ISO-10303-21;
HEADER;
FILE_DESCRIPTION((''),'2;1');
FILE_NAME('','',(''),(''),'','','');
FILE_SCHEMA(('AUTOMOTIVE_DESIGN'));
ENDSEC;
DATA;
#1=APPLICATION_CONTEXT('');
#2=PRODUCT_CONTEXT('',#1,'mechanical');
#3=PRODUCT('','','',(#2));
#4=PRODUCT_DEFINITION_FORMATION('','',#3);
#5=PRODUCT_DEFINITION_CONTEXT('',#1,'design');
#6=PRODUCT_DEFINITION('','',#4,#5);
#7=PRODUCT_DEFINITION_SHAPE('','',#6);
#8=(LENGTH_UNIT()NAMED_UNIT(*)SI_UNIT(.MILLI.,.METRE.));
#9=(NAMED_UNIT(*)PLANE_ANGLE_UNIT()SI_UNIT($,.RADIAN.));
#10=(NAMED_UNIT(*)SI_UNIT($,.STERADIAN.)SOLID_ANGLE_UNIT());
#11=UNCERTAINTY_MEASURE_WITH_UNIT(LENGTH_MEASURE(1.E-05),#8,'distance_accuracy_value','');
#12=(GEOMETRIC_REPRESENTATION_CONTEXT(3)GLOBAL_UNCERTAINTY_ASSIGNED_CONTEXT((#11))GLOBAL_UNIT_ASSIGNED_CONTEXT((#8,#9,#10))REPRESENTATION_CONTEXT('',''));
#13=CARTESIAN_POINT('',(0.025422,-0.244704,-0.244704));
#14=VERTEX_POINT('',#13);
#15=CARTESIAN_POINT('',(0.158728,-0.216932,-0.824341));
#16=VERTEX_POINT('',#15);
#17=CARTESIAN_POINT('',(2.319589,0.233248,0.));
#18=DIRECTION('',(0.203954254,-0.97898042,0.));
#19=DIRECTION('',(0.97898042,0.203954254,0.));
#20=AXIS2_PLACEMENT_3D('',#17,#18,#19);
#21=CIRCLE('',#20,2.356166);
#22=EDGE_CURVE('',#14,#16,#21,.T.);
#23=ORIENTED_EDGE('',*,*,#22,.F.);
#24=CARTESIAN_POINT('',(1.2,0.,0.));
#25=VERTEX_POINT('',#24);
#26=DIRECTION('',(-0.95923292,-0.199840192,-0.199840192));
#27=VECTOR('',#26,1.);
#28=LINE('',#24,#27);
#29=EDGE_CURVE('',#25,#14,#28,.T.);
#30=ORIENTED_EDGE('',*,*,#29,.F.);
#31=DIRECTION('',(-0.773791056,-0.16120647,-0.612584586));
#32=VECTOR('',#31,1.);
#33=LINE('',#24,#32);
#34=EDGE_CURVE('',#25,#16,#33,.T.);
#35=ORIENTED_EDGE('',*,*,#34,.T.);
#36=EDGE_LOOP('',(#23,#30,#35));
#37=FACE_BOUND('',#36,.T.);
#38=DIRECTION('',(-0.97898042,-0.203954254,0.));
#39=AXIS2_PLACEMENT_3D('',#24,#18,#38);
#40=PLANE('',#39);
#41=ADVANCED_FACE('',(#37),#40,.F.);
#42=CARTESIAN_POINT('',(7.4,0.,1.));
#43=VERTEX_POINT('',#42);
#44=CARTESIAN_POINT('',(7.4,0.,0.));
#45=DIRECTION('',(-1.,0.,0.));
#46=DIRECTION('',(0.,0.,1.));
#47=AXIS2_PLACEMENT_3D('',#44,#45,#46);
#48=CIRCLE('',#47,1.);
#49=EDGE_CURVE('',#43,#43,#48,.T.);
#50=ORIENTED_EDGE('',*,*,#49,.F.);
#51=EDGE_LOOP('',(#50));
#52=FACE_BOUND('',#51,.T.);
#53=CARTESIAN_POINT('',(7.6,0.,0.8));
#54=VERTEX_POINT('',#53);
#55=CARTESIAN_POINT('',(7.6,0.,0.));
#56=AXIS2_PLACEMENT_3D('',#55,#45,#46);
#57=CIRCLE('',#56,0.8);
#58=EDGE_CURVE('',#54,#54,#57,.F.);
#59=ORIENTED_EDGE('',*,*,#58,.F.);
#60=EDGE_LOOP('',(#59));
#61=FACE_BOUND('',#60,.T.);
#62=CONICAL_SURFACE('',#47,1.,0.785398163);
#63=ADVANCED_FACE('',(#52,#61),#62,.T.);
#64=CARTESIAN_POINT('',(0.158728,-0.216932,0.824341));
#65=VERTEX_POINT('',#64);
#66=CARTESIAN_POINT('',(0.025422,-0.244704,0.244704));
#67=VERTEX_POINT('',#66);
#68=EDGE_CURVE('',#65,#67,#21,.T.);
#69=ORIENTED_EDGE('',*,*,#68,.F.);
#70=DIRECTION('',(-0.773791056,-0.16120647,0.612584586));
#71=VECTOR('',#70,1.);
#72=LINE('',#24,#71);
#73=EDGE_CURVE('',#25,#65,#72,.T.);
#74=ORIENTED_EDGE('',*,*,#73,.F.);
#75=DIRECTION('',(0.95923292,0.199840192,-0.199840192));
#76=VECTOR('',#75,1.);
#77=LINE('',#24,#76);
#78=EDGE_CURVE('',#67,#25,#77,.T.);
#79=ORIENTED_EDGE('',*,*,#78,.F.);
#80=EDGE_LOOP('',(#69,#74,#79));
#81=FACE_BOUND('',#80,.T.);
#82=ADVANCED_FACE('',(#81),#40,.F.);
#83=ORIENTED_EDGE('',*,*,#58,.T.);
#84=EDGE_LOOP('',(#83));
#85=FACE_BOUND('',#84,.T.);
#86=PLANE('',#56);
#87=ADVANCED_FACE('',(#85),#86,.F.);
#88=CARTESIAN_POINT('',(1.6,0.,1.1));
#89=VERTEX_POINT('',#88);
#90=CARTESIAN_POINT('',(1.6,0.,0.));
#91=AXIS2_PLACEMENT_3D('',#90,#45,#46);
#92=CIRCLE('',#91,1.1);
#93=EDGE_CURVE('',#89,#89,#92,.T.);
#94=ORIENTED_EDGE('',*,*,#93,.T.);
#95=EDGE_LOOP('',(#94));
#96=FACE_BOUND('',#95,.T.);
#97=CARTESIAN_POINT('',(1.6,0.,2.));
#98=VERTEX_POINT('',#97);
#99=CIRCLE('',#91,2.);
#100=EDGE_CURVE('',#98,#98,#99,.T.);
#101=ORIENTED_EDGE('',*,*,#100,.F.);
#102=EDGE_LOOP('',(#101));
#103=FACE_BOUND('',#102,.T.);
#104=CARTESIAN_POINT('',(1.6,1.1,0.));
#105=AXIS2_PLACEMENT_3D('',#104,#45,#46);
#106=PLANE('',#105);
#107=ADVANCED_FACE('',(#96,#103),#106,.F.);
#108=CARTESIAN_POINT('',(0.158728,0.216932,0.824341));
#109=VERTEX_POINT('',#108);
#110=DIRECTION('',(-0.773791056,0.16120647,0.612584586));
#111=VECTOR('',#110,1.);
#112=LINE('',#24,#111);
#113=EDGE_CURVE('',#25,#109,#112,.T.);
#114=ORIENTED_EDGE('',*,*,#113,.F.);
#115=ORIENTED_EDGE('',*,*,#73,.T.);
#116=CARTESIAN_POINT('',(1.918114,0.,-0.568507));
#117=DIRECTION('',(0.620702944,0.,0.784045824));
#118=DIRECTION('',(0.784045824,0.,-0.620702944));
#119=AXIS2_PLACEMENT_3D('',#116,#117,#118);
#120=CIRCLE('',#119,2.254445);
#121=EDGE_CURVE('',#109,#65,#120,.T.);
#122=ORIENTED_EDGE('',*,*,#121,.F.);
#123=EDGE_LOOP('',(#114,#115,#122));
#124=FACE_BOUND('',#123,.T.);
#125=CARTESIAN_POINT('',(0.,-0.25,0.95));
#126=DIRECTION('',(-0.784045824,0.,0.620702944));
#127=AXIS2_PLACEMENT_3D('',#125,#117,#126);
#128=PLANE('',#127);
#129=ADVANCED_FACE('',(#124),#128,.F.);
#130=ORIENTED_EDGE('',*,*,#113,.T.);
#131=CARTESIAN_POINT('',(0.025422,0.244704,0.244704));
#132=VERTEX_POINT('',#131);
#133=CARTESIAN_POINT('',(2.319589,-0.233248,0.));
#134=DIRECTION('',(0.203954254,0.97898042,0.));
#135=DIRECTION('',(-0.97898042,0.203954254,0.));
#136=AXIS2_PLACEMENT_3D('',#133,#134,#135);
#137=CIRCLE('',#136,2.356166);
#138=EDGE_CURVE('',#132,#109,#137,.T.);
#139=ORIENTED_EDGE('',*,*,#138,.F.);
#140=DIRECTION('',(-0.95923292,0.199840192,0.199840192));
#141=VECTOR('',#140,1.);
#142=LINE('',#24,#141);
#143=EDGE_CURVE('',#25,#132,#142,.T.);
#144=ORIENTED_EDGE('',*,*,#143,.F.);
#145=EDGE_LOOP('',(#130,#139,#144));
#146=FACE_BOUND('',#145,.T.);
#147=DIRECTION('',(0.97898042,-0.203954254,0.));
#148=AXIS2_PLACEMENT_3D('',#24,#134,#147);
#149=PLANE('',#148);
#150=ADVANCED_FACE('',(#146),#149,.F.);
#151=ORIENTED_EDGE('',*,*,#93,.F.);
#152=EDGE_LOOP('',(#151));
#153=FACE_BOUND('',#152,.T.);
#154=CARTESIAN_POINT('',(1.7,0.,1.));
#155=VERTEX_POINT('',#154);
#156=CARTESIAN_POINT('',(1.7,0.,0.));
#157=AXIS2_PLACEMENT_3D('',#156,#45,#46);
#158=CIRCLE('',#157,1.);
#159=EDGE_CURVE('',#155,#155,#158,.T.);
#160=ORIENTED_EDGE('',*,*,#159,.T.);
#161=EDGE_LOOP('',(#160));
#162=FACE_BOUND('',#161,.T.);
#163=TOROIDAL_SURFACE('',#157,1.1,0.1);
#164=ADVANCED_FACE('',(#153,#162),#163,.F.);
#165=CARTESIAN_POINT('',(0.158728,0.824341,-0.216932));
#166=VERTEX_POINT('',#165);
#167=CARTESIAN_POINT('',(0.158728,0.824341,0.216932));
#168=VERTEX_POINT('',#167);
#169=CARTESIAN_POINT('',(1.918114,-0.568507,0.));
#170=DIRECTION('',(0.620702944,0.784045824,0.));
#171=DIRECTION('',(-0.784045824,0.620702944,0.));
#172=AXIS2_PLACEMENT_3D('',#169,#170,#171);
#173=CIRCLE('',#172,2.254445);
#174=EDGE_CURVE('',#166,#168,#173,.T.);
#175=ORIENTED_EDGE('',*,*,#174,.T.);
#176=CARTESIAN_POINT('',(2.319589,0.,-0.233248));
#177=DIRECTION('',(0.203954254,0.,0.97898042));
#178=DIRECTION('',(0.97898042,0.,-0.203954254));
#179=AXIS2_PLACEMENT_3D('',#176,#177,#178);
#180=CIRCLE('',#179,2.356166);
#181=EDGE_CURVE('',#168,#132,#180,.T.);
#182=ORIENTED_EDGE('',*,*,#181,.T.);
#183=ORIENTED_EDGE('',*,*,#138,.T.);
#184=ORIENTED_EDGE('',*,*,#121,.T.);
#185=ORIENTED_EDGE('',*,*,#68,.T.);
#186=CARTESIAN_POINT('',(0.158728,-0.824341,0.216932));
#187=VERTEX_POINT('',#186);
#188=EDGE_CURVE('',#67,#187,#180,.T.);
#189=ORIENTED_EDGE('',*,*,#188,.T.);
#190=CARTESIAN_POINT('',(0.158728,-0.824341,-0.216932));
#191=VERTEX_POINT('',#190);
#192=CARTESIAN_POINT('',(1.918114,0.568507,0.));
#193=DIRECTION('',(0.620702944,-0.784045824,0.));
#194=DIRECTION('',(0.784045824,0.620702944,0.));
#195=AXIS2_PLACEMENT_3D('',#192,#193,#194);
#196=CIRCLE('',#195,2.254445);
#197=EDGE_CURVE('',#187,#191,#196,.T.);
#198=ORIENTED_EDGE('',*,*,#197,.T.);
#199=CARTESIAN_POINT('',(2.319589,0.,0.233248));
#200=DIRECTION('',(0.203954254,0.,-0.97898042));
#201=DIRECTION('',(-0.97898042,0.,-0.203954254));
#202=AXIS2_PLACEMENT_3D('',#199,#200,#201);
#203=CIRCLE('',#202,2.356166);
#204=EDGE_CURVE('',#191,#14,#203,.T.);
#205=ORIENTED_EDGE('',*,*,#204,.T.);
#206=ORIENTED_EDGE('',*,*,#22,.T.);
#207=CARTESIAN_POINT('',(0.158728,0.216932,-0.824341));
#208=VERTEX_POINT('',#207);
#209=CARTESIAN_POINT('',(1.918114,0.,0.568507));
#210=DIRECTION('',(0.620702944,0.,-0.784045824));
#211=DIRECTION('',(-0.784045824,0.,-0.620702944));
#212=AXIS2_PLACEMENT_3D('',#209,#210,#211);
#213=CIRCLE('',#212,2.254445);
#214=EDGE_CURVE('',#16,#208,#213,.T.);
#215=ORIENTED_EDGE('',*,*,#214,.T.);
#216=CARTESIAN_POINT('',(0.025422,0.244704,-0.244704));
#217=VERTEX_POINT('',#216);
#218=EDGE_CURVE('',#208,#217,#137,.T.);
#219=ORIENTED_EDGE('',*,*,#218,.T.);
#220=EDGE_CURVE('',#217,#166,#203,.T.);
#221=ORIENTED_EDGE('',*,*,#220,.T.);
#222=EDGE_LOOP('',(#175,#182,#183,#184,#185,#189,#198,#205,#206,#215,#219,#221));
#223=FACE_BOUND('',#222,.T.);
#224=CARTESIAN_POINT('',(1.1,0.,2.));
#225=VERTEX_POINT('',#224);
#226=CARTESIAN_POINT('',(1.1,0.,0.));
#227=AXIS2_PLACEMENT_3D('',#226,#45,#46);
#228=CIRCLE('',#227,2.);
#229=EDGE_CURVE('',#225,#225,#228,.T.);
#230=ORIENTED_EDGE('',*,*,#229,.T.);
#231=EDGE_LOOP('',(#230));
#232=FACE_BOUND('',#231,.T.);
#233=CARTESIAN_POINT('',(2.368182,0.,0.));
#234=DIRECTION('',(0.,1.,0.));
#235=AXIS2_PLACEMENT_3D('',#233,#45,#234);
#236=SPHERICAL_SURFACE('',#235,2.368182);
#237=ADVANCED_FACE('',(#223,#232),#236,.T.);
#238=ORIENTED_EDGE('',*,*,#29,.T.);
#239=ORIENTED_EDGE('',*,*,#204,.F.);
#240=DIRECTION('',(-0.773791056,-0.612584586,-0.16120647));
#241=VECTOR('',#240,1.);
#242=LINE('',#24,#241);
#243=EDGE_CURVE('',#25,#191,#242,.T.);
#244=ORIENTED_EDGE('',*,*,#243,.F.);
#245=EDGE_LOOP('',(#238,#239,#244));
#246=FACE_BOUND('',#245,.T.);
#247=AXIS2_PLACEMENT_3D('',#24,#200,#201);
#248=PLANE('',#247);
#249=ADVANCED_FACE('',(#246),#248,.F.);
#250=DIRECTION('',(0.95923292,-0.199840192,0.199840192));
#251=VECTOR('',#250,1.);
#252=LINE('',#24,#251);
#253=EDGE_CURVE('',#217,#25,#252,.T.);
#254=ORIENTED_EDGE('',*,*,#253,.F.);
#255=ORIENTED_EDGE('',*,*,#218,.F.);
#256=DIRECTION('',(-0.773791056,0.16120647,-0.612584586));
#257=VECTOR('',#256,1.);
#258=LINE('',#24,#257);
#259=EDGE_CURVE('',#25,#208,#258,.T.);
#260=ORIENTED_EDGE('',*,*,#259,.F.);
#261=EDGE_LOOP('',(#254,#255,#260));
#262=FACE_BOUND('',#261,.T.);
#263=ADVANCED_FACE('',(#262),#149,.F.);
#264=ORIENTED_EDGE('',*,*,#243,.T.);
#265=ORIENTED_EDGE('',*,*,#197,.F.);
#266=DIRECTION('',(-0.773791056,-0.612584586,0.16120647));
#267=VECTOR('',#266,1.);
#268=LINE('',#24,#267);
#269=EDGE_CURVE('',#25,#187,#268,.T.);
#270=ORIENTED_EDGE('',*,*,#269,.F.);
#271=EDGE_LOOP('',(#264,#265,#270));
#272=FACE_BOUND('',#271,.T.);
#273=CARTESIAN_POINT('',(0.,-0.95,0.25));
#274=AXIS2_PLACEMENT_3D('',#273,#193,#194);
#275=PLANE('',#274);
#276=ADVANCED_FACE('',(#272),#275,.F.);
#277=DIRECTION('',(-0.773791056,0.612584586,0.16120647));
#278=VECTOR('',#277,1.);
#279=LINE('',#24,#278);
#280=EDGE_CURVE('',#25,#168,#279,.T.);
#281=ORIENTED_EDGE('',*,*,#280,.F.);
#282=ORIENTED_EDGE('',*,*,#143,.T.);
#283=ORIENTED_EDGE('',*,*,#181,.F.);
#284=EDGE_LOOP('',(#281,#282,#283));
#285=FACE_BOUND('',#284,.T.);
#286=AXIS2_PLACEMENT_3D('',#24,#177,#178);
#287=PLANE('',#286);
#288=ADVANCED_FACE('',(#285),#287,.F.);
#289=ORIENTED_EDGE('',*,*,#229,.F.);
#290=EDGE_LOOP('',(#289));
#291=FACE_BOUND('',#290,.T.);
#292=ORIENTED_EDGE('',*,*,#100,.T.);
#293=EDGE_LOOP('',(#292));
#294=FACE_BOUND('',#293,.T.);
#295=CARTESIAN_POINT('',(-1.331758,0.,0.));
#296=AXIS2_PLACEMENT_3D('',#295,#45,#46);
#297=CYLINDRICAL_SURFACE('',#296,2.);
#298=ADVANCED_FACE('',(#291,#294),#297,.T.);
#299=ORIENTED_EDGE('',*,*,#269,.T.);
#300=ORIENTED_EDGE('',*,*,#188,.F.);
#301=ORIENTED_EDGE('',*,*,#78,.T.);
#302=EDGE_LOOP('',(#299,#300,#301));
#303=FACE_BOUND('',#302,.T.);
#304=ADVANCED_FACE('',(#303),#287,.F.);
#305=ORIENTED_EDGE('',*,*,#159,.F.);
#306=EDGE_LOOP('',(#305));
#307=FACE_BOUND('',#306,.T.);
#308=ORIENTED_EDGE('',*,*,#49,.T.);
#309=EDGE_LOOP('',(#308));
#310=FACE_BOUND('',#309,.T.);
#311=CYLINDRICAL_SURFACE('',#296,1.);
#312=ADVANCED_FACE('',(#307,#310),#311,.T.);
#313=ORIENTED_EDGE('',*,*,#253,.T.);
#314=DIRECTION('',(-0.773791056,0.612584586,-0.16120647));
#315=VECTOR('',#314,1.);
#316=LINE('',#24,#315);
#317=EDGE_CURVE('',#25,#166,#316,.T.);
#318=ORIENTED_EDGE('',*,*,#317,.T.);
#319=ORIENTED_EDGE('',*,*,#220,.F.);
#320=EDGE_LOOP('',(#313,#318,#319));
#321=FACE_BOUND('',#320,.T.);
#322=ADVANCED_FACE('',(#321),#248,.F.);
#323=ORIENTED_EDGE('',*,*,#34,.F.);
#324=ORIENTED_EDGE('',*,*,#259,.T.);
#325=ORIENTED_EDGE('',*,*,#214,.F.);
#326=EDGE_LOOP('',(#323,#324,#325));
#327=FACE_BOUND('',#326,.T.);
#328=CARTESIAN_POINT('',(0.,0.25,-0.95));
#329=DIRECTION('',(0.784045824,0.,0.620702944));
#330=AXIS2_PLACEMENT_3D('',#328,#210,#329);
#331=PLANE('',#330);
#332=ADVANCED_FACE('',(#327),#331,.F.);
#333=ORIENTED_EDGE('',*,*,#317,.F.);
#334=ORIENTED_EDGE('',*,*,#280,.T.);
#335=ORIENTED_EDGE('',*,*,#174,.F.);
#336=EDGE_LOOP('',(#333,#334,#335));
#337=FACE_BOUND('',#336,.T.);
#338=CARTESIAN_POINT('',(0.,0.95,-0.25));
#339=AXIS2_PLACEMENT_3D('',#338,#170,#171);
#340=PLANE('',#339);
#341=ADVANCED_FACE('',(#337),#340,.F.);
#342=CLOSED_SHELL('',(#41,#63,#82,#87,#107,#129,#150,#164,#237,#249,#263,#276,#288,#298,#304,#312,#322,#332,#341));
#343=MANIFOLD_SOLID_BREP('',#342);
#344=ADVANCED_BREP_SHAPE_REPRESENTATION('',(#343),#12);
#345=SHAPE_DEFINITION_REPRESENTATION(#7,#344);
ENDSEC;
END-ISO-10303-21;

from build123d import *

# Parameters (mm, degrees)
CHAMFER_1_SIZE = 0.2


with BuildPart() as part:
    # 草图2 → Revolve 539 (revolve)
    with BuildSketch(Plane.XY):
        with BuildLine():
            Line((0, 0), (7.6, 0))
            Line((7.6, 0), (7.6, 1))
            Line((7.6, 1), (1.7, 1))
            ThreePointArc((1.7, 1), (1.629289322, 1.029289322), (1.6, 1.1))
            Line((1.6, 1.1), (1.6, 2))
            Line((1.6, 2), (1.1, 2))
            ThreePointArc((1.1, 2), (0.293143234, 1.141271221), (0, 0))
        make_face()
    revolve(axis=Axis((-1.331757704, 0, 0), (1, 0, 0)))

    # 草图5 → 切除-放样1 section 0
    with BuildSketch(Plane(origin=(0, 0, 0), x_dir=(0, 0, -1), z_dir=(1, 0, 0)), mode=Mode.PRIVATE) as loft_1_s0:
        with BuildLine():
            Line((0.25, 0.95), (-0.25, 0.95))
            Line((-0.25, 0.95), (-0.25, -0.95))
            Line((-0.25, -0.95), (0.25, -0.95))
            Line((0.25, -0.95), (0.25, 0.95))
        make_face()
    loft_1 = loft([Vertex(1.2, 0, 0), loft_1_s0.sketch], mode=Mode.SUBTRACT)

    # 镜向1: 切除-放样1 across plane
    add(loft_1.mirror(Plane(origin=(0, 0, 0), x_dir=(0, 0.7071067811865462, 0.7071067811865488), z_dir=(0, -0.7071067811865488, 0.7071067811865462))), mode=Mode.SUBTRACT)

    # 倒角1
    chamfer_1_edges = [part.edges().sort_by_distance(p)[0] for p in [
        (7.6, -1, 0),
    ]]
    chamfer(chamfer_1_edges, length=CHAMFER_1_SIZE)


solid = part.part
